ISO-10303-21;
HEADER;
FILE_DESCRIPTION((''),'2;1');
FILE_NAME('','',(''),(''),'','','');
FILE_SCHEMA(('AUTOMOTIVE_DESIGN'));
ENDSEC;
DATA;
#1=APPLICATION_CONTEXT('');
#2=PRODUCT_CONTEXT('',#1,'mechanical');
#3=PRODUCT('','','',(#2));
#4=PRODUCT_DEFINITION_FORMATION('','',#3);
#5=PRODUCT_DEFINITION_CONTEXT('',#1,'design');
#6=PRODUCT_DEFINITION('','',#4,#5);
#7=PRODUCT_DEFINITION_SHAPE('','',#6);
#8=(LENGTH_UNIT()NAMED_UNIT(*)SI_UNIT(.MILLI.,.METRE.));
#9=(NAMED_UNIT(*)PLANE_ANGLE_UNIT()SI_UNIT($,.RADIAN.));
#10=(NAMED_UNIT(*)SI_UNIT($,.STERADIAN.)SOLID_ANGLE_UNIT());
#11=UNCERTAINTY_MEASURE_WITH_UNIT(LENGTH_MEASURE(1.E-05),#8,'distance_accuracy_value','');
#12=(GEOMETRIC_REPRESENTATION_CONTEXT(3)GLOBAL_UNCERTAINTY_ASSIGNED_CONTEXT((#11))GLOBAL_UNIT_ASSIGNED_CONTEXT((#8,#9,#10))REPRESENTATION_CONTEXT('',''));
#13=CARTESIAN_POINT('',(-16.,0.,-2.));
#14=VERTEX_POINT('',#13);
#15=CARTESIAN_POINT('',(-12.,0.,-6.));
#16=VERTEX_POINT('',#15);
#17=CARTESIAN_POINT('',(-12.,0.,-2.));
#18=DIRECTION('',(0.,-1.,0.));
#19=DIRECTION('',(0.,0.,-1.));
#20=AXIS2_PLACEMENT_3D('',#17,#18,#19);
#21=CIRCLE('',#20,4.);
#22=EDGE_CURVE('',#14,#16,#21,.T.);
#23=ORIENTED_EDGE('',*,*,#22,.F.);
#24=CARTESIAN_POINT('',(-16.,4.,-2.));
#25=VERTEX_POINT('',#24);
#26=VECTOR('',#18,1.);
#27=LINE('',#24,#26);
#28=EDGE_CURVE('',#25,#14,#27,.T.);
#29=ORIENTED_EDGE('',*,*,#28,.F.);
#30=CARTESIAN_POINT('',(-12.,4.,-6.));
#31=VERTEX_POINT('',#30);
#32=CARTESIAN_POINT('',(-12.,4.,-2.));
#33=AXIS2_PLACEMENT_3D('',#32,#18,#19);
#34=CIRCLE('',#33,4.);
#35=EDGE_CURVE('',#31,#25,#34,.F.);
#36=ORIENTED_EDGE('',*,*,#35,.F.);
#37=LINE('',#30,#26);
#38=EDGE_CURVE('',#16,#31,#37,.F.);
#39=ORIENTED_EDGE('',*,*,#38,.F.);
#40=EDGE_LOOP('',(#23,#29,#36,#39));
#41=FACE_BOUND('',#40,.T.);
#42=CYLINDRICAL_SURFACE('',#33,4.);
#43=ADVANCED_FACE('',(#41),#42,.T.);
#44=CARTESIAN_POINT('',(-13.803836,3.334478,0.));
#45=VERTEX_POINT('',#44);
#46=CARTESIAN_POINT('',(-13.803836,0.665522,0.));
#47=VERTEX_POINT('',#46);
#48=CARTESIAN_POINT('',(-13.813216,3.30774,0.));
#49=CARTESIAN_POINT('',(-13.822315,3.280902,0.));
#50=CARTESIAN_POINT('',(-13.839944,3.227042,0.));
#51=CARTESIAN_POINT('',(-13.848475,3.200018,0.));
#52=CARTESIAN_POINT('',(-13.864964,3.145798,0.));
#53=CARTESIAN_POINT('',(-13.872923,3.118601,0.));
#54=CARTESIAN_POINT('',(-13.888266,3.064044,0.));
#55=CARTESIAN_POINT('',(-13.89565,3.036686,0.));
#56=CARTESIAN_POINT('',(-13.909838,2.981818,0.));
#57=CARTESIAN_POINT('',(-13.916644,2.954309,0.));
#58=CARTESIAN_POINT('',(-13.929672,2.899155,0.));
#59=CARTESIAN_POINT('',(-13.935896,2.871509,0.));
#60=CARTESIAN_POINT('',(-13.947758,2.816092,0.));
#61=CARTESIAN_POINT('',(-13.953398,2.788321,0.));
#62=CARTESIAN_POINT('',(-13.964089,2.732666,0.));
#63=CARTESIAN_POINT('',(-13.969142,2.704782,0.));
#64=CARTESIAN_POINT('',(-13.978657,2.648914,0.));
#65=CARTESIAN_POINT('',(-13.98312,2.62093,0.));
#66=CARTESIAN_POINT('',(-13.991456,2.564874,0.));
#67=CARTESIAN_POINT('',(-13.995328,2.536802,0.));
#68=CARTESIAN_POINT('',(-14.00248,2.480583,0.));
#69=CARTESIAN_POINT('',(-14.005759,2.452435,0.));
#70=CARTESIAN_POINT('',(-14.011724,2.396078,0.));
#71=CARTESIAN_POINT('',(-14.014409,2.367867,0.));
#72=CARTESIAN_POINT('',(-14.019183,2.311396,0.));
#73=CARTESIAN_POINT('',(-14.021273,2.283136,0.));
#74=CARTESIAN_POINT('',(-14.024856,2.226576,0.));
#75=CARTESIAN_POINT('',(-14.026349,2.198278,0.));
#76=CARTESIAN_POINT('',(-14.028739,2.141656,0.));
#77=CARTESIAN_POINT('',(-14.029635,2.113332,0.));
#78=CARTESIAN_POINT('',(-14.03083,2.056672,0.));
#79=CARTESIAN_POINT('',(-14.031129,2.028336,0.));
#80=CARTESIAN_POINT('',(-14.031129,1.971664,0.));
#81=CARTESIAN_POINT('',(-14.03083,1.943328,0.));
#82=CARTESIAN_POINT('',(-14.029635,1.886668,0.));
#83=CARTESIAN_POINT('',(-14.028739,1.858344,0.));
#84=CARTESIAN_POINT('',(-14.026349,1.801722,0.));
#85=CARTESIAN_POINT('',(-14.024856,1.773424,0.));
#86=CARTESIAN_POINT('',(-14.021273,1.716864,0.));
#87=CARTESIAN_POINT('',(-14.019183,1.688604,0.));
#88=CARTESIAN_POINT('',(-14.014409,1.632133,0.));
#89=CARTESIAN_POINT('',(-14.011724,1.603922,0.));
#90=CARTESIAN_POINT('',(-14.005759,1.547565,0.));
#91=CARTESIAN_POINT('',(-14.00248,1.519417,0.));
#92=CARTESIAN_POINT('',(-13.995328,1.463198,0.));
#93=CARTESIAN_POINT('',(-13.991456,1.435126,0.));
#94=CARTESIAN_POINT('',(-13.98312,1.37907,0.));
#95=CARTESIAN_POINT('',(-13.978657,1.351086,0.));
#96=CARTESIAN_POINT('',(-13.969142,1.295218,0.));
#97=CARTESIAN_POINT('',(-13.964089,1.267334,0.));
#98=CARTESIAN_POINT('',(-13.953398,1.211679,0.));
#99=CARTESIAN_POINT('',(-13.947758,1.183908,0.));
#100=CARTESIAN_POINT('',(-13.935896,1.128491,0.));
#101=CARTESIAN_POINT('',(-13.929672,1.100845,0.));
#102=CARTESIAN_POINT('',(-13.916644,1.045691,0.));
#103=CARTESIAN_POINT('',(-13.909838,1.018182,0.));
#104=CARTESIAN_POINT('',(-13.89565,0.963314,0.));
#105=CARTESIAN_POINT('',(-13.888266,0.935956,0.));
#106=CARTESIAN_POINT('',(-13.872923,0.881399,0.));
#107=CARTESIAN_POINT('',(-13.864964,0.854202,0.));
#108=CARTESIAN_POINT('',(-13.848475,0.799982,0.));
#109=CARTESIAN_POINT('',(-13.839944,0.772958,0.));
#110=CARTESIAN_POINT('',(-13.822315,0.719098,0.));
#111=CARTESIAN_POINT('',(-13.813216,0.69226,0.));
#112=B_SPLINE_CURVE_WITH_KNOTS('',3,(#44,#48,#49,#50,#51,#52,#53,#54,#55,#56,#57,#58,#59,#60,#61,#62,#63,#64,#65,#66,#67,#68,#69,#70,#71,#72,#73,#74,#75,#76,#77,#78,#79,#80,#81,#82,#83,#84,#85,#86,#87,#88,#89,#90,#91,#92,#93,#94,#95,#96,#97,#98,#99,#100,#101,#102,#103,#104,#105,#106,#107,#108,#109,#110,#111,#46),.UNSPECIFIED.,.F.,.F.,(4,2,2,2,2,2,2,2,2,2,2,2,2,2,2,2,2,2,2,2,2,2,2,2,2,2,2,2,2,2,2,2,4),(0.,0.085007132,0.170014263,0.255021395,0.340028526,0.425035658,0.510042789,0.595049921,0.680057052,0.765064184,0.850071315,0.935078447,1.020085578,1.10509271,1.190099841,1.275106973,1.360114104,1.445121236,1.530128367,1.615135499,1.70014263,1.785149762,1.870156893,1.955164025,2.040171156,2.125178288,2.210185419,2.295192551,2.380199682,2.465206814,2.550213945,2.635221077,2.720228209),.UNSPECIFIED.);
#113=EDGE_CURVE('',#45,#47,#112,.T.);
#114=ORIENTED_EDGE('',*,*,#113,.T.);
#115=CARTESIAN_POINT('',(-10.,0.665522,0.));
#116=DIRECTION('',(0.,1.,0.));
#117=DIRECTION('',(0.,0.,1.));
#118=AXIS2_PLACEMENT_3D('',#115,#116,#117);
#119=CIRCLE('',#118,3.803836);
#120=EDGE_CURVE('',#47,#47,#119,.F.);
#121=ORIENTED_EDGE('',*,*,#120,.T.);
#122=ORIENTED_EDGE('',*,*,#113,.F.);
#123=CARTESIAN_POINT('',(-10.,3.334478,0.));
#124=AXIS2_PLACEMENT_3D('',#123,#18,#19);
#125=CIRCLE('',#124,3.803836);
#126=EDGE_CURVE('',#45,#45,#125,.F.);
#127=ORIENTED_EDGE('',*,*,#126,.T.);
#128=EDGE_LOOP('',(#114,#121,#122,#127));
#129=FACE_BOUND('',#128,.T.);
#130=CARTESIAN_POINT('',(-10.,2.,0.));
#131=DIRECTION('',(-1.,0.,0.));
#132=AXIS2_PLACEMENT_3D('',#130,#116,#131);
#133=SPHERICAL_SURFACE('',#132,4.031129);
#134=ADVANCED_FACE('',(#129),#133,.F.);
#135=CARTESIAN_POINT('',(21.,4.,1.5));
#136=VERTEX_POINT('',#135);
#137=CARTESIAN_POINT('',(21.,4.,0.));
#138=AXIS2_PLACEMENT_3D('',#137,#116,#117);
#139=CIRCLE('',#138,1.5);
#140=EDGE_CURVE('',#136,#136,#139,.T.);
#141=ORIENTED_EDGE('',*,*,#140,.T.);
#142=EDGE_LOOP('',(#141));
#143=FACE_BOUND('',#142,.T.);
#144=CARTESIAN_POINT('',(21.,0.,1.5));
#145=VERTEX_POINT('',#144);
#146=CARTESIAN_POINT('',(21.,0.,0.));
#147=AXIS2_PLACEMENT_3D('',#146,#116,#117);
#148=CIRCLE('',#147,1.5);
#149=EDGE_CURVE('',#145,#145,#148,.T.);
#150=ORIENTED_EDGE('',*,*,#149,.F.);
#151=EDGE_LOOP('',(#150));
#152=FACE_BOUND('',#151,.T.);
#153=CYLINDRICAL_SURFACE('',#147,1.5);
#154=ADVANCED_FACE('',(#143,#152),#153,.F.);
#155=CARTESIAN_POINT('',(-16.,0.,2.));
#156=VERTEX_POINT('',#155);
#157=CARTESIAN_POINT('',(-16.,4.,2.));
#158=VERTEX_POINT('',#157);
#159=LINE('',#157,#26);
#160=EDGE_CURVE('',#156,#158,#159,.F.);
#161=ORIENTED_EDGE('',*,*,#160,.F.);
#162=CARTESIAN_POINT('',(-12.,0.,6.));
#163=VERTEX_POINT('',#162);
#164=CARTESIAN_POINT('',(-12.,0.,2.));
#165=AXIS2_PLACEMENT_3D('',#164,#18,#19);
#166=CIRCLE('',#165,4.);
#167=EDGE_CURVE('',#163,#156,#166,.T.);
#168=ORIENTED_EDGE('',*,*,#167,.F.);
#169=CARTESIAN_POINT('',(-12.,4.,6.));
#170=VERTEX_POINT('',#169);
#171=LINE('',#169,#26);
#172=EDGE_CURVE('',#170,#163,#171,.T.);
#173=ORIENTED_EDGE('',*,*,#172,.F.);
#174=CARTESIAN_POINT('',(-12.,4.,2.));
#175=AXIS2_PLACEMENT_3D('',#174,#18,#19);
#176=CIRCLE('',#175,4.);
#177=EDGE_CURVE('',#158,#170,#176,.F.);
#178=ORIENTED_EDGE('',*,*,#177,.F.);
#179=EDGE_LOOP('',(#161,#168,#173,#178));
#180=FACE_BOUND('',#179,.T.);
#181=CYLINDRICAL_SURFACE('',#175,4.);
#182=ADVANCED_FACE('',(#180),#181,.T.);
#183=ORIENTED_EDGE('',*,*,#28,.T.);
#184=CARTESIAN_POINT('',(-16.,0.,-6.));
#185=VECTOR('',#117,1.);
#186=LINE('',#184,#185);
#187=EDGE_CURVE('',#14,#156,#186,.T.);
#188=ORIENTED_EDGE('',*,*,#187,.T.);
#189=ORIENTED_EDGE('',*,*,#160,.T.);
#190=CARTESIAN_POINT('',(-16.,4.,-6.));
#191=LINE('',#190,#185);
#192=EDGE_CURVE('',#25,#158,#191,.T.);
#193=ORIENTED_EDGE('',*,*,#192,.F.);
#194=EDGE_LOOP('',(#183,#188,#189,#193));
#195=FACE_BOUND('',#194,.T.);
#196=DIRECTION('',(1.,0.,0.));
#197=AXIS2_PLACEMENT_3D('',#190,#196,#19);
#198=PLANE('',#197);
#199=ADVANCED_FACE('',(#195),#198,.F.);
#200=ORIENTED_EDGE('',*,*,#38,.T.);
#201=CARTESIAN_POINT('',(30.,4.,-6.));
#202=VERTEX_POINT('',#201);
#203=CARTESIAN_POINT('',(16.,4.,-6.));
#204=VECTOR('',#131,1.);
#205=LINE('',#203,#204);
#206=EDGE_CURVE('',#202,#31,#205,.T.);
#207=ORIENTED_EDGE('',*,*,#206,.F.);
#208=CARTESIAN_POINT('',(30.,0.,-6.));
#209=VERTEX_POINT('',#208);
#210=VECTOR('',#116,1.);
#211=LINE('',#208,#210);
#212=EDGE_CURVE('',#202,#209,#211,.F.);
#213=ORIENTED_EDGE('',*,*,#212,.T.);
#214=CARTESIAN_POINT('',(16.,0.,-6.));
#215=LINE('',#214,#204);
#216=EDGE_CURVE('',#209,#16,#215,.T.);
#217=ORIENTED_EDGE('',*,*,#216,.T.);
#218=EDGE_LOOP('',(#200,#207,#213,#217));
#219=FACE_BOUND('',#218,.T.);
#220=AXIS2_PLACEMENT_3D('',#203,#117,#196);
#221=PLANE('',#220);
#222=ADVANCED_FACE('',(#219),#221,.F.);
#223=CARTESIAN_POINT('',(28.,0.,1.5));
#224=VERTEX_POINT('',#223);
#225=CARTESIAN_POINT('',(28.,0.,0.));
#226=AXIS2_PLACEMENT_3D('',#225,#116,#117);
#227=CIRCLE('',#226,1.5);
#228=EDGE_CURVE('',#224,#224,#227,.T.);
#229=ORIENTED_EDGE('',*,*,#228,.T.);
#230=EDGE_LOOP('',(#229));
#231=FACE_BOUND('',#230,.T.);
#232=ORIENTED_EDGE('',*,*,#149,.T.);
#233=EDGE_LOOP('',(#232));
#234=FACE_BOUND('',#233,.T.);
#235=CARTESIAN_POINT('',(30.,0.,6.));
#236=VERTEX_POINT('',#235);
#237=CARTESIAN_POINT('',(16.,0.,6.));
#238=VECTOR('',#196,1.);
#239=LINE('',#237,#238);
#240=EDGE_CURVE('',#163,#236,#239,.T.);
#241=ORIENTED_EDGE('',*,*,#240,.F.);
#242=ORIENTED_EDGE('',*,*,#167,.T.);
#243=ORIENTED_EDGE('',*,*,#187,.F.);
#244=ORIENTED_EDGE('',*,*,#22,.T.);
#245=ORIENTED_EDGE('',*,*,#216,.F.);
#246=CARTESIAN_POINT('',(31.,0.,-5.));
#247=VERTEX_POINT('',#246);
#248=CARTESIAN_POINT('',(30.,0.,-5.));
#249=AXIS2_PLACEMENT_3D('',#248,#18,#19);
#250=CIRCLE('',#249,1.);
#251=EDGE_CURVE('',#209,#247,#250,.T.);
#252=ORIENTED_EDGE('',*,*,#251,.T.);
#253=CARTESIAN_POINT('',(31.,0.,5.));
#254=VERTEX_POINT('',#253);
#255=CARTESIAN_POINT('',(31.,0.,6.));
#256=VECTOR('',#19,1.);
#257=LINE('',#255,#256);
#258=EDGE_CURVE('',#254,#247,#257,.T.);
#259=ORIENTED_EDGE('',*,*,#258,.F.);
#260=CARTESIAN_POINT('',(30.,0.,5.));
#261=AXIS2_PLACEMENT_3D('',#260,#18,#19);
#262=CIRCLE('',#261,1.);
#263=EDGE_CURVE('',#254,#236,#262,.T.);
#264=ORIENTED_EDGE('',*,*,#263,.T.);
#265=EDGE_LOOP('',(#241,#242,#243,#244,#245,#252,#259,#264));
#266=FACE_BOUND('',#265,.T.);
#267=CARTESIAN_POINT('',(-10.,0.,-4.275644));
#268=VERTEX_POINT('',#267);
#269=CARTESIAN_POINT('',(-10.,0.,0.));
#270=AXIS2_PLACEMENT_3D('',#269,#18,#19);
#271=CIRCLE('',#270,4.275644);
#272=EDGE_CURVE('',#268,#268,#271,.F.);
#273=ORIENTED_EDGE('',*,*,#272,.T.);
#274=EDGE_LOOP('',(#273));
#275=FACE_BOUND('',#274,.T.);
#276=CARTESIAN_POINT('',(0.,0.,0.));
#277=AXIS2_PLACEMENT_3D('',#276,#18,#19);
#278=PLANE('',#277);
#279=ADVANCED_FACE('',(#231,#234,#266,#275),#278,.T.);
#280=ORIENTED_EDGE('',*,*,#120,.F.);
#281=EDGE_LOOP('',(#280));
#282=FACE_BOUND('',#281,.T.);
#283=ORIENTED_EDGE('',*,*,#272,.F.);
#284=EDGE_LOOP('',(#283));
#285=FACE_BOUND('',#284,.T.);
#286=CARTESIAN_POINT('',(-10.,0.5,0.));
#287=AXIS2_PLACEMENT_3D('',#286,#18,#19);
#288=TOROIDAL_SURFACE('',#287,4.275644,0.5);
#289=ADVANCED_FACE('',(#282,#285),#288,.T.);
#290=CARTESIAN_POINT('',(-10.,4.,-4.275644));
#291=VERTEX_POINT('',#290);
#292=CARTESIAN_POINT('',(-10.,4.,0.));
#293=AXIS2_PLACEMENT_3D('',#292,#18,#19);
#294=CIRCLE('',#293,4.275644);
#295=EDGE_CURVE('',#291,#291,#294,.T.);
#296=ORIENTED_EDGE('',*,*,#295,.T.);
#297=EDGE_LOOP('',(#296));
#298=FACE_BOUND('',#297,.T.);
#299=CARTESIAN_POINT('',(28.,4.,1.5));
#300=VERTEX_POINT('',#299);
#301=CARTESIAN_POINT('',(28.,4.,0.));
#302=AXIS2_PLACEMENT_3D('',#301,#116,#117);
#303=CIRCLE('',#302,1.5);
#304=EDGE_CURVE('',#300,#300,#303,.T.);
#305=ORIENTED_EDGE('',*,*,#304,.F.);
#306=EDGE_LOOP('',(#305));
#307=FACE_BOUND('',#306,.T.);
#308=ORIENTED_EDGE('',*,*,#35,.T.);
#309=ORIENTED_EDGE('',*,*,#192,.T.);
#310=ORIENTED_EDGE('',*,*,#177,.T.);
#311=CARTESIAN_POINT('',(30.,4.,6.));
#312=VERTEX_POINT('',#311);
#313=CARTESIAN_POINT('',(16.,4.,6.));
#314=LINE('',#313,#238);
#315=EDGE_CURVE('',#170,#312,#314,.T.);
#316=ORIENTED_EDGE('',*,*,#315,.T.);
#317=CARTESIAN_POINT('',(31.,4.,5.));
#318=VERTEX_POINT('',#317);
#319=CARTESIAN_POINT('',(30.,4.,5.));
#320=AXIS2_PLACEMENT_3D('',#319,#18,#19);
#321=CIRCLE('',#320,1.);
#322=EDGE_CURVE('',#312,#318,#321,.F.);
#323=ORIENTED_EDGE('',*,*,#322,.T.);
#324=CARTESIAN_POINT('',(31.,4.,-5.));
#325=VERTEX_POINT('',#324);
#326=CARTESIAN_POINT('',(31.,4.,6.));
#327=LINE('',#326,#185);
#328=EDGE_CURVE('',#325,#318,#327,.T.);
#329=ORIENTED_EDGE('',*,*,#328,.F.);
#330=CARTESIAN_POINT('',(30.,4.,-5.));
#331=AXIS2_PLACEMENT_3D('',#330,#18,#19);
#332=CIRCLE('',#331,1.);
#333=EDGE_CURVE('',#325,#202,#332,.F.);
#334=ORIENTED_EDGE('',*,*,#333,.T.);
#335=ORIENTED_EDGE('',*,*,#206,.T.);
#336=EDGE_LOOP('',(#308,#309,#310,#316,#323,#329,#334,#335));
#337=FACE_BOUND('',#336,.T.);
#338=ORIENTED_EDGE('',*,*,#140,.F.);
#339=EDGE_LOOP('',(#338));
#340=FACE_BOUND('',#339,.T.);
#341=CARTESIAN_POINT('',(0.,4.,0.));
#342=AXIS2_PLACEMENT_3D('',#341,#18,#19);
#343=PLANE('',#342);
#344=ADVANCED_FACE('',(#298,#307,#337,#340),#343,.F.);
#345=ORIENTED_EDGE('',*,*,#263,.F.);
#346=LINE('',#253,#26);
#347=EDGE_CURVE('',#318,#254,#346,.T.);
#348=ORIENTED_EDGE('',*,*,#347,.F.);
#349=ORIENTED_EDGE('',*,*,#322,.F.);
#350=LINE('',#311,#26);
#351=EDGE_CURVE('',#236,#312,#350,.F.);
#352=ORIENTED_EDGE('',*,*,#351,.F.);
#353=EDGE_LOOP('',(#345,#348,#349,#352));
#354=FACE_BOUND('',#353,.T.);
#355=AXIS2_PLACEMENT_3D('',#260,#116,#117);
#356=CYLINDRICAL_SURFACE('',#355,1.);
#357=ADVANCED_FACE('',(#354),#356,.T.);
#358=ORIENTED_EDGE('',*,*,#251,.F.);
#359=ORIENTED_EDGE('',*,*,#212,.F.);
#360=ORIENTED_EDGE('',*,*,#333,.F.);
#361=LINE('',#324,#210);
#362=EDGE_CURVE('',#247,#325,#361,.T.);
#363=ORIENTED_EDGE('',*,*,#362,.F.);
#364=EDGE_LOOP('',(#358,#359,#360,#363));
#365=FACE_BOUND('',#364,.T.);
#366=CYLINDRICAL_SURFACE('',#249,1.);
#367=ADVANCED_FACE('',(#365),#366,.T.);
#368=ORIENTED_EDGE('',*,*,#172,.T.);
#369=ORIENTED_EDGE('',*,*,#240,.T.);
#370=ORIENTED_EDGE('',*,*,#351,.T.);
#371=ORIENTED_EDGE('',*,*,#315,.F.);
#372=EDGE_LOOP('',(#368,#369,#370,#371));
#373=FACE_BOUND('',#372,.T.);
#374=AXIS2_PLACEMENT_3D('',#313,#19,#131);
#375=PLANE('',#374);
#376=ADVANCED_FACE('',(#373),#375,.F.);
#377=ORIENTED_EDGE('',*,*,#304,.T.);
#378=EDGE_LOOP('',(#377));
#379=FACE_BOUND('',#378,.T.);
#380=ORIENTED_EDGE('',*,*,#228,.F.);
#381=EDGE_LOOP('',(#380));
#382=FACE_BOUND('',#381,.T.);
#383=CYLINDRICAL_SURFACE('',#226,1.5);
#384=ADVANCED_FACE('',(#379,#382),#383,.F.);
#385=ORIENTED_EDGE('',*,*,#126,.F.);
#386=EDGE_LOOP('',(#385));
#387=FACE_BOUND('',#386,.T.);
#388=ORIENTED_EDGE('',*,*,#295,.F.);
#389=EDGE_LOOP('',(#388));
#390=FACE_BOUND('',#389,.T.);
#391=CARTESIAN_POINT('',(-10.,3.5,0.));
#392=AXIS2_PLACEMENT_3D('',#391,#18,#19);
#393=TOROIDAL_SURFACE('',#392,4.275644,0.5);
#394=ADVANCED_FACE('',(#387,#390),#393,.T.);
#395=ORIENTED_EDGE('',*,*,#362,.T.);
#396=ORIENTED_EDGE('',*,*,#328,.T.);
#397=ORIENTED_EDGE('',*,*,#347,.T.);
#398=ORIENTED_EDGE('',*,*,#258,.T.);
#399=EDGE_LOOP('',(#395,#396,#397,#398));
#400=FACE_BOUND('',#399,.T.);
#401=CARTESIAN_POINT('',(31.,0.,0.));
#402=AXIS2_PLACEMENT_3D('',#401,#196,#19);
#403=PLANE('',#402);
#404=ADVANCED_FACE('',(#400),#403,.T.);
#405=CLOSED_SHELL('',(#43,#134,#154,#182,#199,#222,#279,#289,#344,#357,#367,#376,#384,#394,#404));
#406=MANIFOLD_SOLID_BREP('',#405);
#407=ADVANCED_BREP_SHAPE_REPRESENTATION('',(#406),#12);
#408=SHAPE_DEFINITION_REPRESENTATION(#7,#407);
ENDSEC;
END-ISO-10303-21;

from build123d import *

# Parameters (mm, degrees)
SKETCH1_W           = 32
SKETCH1_H           = 12
BOSS_EXTRUDE1_DEPTH = 4
FILLET1_R           = 4
FILLET2_R           = 0.5
SKETCH3_W           = 12
SKETCH3_H           = 4
BOSS_EXTRUDE2_DEPTH = 15
SKETCH5_R           = 1.5
CUT_EXTRUDE1_DEPTH  = 32.827661054
FILLET4_R           = 1


with BuildPart() as part:
    # Sketch1 → Boss-Extrude1 (new body)
    with BuildSketch(Plane(origin=(0, 0, 0), x_dir=(1, 0, 0), z_dir=(0, 1, 0))):
        Rectangle(SKETCH1_W, SKETCH1_H)
    extrude(amount=BOSS_EXTRUDE1_DEPTH)

    # Sketch2 → Cut-Revolve1 (revolve, cut)
    with BuildSketch(Plane.XY):
        with BuildLine():
            Line((-10, 4), (-10, 0))
            Line((-10, 0), (-13.5, 0))
            ThreePointArc((-13.5, 0), (-14.031128874, 2), (-13.5, 4))
            Line((-13.5, 4), (-10, 4))
        make_face()
    revolve(axis=Axis((-10, 4, 0), (0, -1, 0)), mode=Mode.SUBTRACT)

    # Fillet1
    fillet1_edges = [part.edges().sort_by_distance(p)[0] for p in [
        (-16, 2, -6),
        (-16, 2, 6),
    ]]
    fillet(fillet1_edges, radius=FILLET1_R)

    # Fillet2
    fillet2_edges = [part.edges().sort_by_distance(p)[0] for p in [
        (-6.5, 4, 0),
        (-6.5, 0, 0),
    ]]
    fillet(fillet2_edges, radius=FILLET2_R)

    # Sketch3 → Boss-Extrude2 (add)
    with BuildSketch(Plane(origin=(16, 0, 0), x_dir=(0, 0, -1), z_dir=(1, 0, 0))):
        with Locations((0, 2)):
            Rectangle(SKETCH3_W, SKETCH3_H)
    extrude(amount=BOSS_EXTRUDE2_DEPTH)

    # Sketch5 → Cut-Extrude1 (cut, through all)
    with BuildSketch(Plane(origin=(0, 4, 0), x_dir=(1, 0, 0), z_dir=(0, 1, 0))):
        with Locations(Location((21, 0, 0), (0, 0, 270))):
            Circle(SKETCH5_R)
        with Locations(Location((28, 0, 0), (0, 0, 270))):
            Circle(SKETCH5_R)
    extrude(amount=-CUT_EXTRUDE1_DEPTH, mode=Mode.SUBTRACT)

    # Fillet4
    fillet4_edges = [part.edges().sort_by_distance(p)[0] for p in [
        (31, 2, 6),
        (31, 2, -6),
    ]]
    fillet(fillet4_edges, radius=FILLET4_R)


solid = part.part
